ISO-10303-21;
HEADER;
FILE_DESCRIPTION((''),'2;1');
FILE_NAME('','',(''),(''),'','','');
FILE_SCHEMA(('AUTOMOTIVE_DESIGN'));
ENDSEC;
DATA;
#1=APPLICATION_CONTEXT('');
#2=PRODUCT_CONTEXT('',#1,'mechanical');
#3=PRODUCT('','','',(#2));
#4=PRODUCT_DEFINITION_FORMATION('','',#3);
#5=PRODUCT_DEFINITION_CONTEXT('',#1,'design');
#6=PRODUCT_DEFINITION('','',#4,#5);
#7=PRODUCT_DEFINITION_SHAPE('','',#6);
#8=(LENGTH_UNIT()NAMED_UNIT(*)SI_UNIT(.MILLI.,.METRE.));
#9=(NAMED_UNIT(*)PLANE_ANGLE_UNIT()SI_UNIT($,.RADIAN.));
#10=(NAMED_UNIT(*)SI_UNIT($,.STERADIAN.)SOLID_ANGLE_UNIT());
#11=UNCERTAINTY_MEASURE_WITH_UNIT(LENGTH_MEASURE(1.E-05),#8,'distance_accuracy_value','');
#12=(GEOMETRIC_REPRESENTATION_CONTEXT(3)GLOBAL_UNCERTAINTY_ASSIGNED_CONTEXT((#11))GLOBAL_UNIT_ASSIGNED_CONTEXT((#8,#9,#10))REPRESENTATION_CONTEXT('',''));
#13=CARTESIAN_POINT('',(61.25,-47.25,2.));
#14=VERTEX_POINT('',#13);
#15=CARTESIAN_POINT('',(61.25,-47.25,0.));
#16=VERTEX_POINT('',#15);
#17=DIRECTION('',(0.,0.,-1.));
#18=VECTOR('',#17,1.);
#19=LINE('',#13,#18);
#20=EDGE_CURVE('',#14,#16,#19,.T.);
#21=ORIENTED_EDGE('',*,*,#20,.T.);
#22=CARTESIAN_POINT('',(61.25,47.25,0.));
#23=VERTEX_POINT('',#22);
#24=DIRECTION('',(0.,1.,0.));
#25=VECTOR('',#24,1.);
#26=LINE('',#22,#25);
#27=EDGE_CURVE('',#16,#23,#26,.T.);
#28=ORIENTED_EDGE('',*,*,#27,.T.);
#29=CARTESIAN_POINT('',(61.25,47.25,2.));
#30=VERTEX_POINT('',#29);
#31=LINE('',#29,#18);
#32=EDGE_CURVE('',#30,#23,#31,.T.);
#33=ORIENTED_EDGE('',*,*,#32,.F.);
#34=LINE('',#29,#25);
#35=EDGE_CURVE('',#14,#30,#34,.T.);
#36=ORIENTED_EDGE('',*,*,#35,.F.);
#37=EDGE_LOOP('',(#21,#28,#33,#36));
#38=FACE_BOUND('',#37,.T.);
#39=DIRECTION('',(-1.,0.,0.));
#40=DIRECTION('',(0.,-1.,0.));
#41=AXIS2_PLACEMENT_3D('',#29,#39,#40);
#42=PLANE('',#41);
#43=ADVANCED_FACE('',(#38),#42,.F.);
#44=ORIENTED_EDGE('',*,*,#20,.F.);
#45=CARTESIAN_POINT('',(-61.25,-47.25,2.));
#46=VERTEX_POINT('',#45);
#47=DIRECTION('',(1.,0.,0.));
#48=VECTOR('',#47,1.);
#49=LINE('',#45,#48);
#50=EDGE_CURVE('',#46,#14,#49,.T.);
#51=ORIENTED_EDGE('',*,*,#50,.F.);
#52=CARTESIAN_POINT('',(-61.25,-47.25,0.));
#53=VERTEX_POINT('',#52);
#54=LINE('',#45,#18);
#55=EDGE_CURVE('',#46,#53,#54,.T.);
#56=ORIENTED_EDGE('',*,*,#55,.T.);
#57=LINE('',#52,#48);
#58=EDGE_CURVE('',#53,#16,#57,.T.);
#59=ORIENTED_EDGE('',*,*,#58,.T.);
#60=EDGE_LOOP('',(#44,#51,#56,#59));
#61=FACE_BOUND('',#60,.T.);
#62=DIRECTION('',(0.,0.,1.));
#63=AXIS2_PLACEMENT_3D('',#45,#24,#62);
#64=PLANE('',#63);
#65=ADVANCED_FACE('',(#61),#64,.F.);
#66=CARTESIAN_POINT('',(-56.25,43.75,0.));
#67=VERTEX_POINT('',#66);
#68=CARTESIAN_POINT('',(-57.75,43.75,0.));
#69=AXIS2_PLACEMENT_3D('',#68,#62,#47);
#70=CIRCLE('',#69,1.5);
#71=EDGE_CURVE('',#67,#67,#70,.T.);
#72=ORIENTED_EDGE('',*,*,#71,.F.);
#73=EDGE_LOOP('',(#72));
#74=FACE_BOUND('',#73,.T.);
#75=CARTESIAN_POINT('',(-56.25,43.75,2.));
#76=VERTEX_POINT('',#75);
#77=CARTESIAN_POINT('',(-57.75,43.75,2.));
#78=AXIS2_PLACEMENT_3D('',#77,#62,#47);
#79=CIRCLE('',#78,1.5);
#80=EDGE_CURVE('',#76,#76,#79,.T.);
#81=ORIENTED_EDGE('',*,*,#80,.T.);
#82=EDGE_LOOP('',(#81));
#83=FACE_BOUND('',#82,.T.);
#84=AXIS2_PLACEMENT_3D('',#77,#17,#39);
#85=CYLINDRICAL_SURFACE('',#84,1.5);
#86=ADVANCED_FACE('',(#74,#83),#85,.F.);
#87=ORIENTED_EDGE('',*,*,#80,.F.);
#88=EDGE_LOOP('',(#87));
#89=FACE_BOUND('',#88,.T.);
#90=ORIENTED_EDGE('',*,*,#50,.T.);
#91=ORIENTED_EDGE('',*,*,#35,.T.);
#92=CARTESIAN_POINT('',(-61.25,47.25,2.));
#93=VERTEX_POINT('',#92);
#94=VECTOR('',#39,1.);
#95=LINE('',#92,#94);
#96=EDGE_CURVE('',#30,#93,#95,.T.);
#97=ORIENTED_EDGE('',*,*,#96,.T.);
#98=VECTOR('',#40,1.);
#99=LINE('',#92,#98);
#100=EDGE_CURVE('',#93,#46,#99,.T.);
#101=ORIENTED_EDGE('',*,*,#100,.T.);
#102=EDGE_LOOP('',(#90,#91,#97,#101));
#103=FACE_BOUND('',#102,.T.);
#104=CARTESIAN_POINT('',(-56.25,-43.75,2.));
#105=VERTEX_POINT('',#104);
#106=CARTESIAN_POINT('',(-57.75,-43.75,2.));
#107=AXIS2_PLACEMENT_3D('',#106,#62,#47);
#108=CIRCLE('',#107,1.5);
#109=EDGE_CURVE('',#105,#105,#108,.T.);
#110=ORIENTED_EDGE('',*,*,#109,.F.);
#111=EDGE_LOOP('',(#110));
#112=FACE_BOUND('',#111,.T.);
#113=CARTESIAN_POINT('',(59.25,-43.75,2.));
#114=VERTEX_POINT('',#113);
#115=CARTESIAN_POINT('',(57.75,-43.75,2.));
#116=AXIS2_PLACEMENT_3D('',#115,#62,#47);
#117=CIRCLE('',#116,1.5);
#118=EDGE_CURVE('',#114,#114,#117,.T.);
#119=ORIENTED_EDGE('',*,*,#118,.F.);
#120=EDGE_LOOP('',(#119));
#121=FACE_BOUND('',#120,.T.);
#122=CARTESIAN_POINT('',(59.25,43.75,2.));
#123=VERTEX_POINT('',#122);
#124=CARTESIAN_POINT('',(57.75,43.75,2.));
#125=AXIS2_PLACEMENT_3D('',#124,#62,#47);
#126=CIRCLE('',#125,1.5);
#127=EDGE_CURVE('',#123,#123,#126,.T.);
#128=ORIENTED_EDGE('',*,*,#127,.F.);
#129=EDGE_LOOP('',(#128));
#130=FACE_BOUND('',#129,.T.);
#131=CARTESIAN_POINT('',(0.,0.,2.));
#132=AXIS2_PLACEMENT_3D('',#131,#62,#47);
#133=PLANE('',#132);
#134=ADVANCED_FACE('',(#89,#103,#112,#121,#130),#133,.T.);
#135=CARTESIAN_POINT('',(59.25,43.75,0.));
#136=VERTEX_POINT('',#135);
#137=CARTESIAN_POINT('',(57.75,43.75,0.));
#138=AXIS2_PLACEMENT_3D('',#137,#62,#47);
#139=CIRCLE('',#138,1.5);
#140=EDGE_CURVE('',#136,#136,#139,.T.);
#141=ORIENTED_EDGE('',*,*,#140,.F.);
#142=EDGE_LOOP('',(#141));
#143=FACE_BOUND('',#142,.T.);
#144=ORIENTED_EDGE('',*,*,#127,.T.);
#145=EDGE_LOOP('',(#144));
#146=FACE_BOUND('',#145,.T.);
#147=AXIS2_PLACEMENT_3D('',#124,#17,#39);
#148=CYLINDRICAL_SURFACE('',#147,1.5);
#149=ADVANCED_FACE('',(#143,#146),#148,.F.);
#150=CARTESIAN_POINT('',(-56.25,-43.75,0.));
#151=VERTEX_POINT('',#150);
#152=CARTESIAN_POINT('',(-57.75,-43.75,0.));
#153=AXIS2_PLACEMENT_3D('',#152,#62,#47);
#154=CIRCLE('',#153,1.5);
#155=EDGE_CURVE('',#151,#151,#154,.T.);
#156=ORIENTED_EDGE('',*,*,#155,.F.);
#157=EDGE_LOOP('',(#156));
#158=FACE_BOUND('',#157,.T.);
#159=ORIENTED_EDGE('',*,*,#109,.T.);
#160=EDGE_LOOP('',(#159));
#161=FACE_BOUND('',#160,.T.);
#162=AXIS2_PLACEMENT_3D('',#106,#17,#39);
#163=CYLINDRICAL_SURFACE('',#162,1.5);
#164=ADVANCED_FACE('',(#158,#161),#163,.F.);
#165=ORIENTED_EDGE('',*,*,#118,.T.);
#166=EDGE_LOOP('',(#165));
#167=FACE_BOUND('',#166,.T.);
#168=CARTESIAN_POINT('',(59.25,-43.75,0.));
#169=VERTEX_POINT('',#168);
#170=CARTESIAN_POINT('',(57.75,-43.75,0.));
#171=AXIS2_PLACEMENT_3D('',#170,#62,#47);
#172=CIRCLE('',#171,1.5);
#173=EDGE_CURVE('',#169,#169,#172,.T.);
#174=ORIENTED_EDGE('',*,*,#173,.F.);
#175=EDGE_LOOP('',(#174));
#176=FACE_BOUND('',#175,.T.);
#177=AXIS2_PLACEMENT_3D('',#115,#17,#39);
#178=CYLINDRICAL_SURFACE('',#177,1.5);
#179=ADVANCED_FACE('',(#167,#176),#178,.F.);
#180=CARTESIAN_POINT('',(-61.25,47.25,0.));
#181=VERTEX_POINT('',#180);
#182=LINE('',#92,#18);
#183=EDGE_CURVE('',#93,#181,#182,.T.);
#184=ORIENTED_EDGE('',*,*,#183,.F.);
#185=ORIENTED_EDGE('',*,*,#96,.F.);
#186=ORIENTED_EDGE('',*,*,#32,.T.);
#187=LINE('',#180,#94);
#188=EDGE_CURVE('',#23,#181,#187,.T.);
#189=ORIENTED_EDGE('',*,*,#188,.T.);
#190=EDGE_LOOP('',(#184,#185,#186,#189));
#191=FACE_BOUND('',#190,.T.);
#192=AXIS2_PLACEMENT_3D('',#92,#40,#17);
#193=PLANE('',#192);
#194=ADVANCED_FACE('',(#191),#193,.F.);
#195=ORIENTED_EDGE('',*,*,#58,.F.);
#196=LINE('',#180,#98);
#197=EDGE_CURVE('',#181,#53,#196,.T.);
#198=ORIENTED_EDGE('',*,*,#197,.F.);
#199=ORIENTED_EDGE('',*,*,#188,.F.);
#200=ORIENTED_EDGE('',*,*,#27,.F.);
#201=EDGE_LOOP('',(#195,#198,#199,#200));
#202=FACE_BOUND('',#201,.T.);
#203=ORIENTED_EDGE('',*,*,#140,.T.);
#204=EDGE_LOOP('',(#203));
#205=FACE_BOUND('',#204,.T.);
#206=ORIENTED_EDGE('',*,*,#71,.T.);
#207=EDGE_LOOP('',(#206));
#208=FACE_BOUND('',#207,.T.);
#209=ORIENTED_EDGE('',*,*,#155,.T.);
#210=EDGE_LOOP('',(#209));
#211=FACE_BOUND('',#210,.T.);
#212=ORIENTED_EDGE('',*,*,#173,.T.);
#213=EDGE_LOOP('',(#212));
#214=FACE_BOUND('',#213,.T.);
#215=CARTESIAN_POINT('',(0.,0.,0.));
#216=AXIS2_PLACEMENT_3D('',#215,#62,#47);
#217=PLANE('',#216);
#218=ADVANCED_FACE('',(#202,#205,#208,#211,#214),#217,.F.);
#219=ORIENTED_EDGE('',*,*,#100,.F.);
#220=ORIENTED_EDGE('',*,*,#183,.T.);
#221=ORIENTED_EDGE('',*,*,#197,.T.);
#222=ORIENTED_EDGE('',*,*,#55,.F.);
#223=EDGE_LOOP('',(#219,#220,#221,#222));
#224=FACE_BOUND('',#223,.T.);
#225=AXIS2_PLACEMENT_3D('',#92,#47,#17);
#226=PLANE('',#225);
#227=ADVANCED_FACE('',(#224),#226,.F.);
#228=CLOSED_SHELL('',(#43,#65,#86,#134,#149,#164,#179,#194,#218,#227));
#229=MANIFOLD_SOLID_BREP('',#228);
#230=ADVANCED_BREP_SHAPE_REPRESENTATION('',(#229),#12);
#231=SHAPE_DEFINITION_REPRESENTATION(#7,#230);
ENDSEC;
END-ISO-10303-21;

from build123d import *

# Parameters (mm, degrees)
SKETCH2_W           = 122.5
SKETCH2_H           = 94.5
SKETCH2_R           = 1.5
BOSS_EXTRUDE1_DEPTH = 2


with BuildPart() as part:
    # Sketch2 → Boss-Extrude1 (new body)
    with BuildSketch(Plane.XY):
        Rectangle(SKETCH2_W, SKETCH2_H)
        with Locations((-57.75, 43.75)):
            Circle(SKETCH2_R, mode=Mode.SUBTRACT)
        with Locations((-57.75, -43.75)):
            Circle(SKETCH2_R, mode=Mode.SUBTRACT)
        with Locations((57.75, 43.75)):
            Circle(SKETCH2_R, mode=Mode.SUBTRACT)
        with Locations((57.75, -43.75)):
            Circle(SKETCH2_R, mode=Mode.SUBTRACT)
    extrude(amount=BOSS_EXTRUDE1_DEPTH)


solid = part.part
